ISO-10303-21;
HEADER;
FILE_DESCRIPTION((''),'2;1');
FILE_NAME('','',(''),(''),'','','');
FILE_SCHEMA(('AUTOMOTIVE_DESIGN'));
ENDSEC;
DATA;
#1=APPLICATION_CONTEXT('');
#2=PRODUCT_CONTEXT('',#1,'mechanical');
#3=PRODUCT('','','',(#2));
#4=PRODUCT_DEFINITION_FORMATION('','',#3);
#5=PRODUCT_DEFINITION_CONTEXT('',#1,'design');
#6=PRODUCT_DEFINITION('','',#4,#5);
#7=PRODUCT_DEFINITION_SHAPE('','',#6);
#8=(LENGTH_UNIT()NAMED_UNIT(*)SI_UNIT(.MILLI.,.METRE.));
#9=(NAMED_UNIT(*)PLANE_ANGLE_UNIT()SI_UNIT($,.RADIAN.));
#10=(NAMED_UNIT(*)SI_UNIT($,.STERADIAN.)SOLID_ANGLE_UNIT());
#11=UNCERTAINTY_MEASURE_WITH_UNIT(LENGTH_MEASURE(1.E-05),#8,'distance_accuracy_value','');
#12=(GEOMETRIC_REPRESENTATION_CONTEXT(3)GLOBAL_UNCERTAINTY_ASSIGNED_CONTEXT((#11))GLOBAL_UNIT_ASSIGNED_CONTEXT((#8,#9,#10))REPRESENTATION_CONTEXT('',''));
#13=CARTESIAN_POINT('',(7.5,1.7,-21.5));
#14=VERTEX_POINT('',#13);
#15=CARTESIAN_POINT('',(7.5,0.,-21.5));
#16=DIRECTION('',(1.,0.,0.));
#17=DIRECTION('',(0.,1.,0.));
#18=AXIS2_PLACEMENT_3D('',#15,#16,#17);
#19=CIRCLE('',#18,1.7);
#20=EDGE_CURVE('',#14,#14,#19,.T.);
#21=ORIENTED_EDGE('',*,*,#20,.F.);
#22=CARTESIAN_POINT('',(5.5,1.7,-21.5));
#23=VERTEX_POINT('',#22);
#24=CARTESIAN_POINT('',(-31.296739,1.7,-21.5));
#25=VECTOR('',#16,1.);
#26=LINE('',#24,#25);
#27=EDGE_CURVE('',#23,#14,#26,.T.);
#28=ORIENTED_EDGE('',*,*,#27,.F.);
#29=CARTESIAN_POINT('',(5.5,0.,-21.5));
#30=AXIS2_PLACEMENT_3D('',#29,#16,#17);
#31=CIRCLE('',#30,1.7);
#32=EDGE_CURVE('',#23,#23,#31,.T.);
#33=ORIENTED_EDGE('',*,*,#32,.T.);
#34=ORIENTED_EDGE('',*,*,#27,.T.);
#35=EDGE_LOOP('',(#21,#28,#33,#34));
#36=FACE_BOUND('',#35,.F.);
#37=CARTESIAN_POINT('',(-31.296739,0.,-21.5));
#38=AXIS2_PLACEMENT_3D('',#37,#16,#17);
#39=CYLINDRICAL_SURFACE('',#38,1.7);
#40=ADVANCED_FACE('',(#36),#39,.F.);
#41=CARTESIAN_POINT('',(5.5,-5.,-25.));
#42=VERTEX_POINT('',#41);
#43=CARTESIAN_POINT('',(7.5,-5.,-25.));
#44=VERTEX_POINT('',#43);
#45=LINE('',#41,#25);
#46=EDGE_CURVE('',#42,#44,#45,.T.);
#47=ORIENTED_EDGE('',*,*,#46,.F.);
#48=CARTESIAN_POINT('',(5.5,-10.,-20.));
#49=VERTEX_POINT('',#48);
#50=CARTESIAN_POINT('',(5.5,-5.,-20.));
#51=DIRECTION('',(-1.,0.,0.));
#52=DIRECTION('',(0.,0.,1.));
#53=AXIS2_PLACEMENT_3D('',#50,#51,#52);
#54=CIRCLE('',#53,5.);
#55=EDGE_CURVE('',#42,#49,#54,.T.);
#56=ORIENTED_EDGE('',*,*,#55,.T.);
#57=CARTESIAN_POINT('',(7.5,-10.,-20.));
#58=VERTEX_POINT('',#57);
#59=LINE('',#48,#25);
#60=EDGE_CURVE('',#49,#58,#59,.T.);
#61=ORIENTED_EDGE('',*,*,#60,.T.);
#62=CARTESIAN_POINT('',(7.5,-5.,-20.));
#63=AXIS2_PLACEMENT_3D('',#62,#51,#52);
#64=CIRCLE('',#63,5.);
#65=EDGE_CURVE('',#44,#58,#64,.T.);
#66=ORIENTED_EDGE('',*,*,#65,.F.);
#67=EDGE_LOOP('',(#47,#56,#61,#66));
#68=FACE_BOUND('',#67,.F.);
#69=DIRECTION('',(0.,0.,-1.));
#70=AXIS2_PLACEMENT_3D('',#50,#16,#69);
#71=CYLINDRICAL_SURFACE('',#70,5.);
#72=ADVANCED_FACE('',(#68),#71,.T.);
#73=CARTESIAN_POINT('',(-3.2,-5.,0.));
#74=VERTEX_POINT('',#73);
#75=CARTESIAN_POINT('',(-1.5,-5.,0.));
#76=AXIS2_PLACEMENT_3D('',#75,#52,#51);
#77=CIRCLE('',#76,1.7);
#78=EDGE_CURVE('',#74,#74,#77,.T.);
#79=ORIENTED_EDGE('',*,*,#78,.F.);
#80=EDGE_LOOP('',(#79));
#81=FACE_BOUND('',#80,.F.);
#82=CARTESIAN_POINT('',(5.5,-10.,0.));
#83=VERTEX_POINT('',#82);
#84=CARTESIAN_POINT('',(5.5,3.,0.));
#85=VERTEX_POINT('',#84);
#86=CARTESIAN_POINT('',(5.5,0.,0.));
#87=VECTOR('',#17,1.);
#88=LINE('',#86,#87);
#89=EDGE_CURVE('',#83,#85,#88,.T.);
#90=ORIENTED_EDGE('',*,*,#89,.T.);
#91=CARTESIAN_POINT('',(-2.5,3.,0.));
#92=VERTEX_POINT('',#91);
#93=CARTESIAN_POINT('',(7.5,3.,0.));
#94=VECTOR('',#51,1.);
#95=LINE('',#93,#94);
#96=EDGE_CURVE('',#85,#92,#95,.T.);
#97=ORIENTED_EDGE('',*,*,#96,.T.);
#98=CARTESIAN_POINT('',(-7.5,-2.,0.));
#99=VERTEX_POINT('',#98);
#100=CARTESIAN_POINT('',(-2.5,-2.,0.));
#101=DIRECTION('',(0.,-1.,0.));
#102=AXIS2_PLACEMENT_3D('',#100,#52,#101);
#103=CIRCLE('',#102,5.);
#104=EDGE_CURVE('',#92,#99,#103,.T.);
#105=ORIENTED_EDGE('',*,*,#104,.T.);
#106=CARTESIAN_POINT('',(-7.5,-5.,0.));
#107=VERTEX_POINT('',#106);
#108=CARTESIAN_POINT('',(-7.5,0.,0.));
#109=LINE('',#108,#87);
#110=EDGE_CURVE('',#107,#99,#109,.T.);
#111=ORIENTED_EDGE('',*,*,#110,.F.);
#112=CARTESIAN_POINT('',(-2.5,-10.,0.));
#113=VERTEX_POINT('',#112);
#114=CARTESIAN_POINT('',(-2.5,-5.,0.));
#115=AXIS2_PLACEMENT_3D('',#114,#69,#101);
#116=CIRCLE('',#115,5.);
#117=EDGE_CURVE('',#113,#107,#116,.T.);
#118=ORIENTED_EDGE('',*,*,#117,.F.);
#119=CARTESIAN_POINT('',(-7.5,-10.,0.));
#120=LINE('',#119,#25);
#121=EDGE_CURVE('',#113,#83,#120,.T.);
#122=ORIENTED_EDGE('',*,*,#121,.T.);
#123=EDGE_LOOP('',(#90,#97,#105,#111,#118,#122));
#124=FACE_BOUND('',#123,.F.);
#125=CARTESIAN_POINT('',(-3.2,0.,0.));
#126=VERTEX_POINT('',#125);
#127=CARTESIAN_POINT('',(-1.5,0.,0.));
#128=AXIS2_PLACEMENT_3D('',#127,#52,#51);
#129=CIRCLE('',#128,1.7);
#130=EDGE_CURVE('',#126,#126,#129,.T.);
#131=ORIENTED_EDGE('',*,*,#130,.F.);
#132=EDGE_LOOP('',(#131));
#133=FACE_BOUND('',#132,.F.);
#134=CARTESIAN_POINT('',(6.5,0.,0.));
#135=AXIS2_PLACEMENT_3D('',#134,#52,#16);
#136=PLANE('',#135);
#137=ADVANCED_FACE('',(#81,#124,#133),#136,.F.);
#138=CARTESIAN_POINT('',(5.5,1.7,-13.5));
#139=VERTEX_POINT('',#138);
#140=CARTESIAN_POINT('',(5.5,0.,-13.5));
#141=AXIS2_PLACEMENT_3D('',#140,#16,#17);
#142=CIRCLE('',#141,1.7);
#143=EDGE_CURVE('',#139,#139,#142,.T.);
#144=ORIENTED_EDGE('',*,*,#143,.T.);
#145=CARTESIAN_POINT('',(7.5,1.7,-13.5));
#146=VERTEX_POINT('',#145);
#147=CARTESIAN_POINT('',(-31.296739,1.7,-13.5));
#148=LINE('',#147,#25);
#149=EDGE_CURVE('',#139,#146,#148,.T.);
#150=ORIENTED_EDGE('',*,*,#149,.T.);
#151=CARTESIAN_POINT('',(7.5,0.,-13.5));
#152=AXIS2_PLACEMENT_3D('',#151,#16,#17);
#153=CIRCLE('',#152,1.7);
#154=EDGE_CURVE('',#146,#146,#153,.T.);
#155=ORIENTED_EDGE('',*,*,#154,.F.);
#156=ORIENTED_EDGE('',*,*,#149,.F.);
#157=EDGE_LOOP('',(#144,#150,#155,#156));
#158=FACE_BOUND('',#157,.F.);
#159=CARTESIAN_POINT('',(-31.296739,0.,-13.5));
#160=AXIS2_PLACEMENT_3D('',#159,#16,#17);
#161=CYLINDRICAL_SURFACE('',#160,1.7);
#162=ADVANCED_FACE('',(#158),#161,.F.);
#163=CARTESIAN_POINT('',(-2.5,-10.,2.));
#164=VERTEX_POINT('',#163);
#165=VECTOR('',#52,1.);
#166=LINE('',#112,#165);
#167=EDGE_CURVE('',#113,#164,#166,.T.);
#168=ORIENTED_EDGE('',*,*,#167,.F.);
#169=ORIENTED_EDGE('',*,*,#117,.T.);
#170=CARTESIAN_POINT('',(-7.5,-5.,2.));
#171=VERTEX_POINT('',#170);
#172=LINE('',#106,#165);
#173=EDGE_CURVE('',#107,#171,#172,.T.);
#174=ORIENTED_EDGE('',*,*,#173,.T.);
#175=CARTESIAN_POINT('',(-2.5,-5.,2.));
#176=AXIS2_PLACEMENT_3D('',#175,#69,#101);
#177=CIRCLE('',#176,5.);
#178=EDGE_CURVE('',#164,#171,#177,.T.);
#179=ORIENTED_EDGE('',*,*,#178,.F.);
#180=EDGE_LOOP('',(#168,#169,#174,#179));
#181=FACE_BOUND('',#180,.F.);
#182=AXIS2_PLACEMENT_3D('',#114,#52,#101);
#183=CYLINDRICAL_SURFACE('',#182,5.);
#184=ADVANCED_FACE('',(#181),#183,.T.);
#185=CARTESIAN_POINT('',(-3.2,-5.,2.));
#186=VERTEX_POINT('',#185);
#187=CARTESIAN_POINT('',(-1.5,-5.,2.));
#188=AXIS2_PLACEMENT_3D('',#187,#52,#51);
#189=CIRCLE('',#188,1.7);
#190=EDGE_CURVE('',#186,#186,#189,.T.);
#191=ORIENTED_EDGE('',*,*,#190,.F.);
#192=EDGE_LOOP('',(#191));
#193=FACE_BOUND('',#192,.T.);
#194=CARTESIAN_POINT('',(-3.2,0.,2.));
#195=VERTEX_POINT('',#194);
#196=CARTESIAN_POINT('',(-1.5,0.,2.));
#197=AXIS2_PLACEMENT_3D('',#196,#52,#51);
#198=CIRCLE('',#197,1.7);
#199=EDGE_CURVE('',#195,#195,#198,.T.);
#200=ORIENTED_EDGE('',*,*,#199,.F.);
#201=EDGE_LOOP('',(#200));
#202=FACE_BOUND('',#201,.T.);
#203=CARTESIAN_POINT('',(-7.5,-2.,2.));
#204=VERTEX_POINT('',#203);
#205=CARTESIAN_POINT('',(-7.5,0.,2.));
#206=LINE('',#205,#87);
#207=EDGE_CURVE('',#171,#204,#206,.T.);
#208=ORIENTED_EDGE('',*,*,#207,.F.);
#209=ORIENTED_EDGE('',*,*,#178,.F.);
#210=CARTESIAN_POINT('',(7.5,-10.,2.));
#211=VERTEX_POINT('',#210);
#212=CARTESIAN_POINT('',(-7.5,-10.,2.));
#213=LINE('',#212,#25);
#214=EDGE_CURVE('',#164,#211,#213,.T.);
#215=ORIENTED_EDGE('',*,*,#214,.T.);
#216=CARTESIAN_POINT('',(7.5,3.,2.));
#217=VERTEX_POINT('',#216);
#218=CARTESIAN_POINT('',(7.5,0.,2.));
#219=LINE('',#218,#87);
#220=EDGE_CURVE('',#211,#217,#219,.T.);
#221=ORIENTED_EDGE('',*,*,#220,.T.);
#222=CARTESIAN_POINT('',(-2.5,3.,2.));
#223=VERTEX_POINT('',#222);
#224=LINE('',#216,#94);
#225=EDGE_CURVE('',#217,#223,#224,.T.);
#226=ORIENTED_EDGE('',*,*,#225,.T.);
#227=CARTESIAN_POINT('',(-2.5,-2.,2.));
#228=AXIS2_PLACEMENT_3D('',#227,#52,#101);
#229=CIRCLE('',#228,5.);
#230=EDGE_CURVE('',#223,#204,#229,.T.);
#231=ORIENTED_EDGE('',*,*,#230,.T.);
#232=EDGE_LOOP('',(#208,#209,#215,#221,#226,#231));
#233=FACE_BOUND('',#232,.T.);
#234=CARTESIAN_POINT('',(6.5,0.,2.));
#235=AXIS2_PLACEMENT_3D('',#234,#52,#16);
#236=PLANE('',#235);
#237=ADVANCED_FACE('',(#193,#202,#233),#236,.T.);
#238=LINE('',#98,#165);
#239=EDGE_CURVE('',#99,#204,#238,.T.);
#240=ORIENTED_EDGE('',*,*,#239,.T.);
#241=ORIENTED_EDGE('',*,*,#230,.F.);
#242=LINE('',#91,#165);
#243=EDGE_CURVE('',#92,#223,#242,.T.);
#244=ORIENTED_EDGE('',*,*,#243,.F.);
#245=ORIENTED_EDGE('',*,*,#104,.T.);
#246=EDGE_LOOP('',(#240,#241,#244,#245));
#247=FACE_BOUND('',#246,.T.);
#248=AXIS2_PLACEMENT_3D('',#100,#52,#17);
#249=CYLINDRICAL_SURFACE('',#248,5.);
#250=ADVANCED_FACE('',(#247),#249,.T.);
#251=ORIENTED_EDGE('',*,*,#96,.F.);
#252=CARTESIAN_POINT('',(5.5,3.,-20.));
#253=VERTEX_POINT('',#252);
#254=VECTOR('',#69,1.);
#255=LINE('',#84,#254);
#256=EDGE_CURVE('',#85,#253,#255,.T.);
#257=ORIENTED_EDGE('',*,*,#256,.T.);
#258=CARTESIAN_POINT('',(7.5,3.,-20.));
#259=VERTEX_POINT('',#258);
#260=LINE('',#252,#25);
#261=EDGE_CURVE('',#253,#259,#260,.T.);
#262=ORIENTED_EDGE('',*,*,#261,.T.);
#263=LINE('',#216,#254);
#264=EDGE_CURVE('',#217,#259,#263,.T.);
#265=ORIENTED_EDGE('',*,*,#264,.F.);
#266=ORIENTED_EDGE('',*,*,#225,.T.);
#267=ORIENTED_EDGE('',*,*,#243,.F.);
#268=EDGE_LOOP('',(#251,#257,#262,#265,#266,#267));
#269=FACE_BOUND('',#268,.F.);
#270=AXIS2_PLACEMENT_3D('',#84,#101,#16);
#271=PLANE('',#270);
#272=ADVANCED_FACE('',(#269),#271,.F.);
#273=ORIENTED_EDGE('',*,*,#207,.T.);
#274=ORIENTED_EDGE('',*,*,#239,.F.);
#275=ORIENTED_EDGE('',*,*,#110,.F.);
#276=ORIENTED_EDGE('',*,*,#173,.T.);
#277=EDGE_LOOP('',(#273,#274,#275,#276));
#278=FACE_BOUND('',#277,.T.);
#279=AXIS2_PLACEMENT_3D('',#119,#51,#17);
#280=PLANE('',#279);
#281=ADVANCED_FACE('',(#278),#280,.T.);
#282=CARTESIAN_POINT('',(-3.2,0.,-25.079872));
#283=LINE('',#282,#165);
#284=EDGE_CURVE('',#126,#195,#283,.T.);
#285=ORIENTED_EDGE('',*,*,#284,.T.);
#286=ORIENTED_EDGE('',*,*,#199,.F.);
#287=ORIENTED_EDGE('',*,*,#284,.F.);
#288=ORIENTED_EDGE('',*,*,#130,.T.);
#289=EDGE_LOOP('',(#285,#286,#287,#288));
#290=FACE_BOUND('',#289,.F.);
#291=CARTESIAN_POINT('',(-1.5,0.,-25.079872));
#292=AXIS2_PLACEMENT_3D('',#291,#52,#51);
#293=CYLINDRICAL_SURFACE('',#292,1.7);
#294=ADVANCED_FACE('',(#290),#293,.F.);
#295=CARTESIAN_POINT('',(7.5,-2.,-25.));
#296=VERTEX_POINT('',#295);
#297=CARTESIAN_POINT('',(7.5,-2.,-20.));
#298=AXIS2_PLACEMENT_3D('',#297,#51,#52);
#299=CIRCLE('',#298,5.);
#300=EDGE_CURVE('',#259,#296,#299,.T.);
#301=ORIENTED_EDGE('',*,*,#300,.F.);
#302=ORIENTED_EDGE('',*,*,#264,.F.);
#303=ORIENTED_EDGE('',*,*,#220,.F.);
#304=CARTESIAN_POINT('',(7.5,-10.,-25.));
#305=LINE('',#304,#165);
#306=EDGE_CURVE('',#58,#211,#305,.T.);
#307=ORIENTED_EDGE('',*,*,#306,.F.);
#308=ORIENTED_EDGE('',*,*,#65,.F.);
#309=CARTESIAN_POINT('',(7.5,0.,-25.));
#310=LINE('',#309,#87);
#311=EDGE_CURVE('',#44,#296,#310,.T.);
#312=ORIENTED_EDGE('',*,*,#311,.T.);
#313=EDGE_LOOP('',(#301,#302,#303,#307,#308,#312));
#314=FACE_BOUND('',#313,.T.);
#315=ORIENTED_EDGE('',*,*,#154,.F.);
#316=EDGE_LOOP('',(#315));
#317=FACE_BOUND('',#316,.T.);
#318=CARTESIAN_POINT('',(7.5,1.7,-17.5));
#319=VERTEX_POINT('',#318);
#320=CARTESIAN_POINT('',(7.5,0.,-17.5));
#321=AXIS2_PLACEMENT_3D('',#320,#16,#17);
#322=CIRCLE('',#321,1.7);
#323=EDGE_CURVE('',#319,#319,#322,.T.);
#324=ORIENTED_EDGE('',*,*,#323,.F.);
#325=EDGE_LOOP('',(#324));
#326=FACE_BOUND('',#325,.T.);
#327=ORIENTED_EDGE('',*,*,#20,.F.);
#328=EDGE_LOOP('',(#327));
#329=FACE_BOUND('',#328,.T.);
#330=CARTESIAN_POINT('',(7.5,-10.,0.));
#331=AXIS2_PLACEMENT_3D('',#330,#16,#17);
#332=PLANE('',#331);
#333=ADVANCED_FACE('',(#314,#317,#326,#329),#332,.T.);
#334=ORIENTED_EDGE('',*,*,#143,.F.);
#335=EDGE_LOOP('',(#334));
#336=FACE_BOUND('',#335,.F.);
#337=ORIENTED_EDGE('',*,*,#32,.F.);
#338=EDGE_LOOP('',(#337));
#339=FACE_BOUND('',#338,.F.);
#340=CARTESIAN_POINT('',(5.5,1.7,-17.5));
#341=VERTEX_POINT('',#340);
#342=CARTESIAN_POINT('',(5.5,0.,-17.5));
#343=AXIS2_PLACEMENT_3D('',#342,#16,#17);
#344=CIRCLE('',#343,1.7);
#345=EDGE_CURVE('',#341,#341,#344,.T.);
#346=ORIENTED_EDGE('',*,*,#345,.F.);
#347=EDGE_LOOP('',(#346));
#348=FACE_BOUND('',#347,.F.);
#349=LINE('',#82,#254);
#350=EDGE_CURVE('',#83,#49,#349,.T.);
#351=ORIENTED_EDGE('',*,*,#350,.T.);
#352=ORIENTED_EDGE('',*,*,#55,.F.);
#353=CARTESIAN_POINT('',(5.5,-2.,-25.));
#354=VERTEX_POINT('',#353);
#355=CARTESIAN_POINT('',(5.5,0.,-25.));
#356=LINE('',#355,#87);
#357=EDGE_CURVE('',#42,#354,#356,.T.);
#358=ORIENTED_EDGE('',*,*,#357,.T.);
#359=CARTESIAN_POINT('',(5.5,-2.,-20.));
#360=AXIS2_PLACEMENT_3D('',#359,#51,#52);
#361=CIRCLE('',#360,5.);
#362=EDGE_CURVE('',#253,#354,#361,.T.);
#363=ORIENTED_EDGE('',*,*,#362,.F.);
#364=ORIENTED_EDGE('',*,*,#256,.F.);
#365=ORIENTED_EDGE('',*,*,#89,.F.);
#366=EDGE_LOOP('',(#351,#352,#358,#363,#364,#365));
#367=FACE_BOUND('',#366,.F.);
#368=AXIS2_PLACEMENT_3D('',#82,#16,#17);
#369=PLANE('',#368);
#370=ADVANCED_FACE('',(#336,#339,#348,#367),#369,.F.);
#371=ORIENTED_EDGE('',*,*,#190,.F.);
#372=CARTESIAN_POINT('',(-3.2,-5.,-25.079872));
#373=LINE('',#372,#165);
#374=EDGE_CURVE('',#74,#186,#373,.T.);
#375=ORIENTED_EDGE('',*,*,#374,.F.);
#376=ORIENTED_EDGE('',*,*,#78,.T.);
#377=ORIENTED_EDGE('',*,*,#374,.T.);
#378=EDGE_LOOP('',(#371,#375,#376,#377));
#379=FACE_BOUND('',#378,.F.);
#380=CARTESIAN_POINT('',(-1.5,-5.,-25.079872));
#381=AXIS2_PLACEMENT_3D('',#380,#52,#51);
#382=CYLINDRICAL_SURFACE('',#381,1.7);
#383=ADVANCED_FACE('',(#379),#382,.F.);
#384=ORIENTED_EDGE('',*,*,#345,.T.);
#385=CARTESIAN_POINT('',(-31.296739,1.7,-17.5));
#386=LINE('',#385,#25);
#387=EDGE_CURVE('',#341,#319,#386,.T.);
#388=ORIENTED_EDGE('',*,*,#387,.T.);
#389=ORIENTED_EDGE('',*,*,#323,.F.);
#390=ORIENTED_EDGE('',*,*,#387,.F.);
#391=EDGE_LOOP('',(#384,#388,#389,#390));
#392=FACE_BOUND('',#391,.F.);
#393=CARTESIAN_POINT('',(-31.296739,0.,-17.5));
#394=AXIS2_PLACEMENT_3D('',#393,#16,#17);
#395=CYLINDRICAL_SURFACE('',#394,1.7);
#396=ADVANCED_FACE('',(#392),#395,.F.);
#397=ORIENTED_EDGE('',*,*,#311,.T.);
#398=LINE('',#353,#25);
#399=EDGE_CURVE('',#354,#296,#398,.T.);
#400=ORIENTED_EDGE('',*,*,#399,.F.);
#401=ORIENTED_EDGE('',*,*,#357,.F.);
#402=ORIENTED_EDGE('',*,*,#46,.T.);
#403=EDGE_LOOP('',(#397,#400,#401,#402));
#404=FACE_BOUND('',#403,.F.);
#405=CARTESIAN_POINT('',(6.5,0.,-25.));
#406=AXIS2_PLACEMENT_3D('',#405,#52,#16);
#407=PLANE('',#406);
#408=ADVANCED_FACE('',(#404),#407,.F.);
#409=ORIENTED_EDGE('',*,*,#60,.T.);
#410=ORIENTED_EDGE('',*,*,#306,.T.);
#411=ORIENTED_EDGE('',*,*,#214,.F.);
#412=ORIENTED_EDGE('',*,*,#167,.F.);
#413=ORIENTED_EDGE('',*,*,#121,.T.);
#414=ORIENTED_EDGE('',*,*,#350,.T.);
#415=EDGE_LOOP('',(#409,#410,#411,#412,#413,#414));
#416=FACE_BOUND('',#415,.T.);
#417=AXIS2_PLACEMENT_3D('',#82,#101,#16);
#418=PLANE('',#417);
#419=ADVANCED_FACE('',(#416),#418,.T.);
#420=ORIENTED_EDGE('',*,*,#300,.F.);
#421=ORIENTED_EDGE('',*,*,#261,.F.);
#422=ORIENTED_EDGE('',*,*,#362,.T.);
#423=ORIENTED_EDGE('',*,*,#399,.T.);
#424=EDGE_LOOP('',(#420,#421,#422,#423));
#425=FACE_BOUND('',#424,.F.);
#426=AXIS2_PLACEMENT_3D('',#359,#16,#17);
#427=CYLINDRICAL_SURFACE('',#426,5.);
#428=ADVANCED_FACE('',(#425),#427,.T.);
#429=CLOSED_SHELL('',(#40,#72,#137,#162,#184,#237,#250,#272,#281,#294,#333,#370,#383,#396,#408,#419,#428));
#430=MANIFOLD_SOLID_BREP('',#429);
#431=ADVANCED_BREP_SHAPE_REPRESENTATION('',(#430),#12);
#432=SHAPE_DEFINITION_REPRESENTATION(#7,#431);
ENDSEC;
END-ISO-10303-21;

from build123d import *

# Parameters (mm, degrees)
F0_W     = 2
F0_H     = 20
F0_W_2   = 13
F1_DEPTH = 2
F2_D     = 3.4
F3_DEPTH = 25
F5_D     = 3.4
F6_DEPTH = 7
F7_R     = 5


with BuildPart() as f1:
    # F0 (on Top) → F1 (new body)
    with BuildSketch(Plane.XY):
        with Locations((6.5, 0)):
            Rectangle(F0_W, F0_H)
        with Locations((-1, 0)):
            Rectangle(F0_W_2, F0_H)
    extrude(amount=F1_DEPTH)

    # F2 (through all)
    with Locations(Plane(origin=(0, 0, 0), x_dir=(1, 0, 0), z_dir=(0, 0, -1))):
        with Locations((-1.5, -5), (-1.5, 0), (-1.5, 5)):
            Hole(F2_D / 2)

    # F0 (on Top) → F3 (join)
    with BuildSketch(Plane.XY):
        with Locations((6.5, 0)):
            Rectangle(F0_W, F0_H)
    extrude(amount=-F3_DEPTH)

    # F5 (through all)
    with Locations(Plane(origin=(5.5, 0, 0), x_dir=(0, -1, 0), z_dir=(-1, 0, 0))):
        with Locations((0, -17.5), (0, -13.5), (0, -21.5)):
            Hole(F5_D / 2)

    # F6 (cut): a face of the model
    f6_faces = [f1.faces().sort_by_distance(p)[0] for p in [
        (0, 10, 1.6911310958),
    ]]
    extrude(f6_faces, amount=-F6_DEPTH, mode=Mode.SUBTRACT)

    # F7
    f7_edges = [f1.edges().sort_by_distance(p)[0] for p in [
        (6.5, 3, -25),
        (6.5, -10, -25),
        (-7.5, -10, 1),
        (-7.5, 3, 1),
    ]]
    fillet(f7_edges, radius=F7_R)


solid = f1.part
